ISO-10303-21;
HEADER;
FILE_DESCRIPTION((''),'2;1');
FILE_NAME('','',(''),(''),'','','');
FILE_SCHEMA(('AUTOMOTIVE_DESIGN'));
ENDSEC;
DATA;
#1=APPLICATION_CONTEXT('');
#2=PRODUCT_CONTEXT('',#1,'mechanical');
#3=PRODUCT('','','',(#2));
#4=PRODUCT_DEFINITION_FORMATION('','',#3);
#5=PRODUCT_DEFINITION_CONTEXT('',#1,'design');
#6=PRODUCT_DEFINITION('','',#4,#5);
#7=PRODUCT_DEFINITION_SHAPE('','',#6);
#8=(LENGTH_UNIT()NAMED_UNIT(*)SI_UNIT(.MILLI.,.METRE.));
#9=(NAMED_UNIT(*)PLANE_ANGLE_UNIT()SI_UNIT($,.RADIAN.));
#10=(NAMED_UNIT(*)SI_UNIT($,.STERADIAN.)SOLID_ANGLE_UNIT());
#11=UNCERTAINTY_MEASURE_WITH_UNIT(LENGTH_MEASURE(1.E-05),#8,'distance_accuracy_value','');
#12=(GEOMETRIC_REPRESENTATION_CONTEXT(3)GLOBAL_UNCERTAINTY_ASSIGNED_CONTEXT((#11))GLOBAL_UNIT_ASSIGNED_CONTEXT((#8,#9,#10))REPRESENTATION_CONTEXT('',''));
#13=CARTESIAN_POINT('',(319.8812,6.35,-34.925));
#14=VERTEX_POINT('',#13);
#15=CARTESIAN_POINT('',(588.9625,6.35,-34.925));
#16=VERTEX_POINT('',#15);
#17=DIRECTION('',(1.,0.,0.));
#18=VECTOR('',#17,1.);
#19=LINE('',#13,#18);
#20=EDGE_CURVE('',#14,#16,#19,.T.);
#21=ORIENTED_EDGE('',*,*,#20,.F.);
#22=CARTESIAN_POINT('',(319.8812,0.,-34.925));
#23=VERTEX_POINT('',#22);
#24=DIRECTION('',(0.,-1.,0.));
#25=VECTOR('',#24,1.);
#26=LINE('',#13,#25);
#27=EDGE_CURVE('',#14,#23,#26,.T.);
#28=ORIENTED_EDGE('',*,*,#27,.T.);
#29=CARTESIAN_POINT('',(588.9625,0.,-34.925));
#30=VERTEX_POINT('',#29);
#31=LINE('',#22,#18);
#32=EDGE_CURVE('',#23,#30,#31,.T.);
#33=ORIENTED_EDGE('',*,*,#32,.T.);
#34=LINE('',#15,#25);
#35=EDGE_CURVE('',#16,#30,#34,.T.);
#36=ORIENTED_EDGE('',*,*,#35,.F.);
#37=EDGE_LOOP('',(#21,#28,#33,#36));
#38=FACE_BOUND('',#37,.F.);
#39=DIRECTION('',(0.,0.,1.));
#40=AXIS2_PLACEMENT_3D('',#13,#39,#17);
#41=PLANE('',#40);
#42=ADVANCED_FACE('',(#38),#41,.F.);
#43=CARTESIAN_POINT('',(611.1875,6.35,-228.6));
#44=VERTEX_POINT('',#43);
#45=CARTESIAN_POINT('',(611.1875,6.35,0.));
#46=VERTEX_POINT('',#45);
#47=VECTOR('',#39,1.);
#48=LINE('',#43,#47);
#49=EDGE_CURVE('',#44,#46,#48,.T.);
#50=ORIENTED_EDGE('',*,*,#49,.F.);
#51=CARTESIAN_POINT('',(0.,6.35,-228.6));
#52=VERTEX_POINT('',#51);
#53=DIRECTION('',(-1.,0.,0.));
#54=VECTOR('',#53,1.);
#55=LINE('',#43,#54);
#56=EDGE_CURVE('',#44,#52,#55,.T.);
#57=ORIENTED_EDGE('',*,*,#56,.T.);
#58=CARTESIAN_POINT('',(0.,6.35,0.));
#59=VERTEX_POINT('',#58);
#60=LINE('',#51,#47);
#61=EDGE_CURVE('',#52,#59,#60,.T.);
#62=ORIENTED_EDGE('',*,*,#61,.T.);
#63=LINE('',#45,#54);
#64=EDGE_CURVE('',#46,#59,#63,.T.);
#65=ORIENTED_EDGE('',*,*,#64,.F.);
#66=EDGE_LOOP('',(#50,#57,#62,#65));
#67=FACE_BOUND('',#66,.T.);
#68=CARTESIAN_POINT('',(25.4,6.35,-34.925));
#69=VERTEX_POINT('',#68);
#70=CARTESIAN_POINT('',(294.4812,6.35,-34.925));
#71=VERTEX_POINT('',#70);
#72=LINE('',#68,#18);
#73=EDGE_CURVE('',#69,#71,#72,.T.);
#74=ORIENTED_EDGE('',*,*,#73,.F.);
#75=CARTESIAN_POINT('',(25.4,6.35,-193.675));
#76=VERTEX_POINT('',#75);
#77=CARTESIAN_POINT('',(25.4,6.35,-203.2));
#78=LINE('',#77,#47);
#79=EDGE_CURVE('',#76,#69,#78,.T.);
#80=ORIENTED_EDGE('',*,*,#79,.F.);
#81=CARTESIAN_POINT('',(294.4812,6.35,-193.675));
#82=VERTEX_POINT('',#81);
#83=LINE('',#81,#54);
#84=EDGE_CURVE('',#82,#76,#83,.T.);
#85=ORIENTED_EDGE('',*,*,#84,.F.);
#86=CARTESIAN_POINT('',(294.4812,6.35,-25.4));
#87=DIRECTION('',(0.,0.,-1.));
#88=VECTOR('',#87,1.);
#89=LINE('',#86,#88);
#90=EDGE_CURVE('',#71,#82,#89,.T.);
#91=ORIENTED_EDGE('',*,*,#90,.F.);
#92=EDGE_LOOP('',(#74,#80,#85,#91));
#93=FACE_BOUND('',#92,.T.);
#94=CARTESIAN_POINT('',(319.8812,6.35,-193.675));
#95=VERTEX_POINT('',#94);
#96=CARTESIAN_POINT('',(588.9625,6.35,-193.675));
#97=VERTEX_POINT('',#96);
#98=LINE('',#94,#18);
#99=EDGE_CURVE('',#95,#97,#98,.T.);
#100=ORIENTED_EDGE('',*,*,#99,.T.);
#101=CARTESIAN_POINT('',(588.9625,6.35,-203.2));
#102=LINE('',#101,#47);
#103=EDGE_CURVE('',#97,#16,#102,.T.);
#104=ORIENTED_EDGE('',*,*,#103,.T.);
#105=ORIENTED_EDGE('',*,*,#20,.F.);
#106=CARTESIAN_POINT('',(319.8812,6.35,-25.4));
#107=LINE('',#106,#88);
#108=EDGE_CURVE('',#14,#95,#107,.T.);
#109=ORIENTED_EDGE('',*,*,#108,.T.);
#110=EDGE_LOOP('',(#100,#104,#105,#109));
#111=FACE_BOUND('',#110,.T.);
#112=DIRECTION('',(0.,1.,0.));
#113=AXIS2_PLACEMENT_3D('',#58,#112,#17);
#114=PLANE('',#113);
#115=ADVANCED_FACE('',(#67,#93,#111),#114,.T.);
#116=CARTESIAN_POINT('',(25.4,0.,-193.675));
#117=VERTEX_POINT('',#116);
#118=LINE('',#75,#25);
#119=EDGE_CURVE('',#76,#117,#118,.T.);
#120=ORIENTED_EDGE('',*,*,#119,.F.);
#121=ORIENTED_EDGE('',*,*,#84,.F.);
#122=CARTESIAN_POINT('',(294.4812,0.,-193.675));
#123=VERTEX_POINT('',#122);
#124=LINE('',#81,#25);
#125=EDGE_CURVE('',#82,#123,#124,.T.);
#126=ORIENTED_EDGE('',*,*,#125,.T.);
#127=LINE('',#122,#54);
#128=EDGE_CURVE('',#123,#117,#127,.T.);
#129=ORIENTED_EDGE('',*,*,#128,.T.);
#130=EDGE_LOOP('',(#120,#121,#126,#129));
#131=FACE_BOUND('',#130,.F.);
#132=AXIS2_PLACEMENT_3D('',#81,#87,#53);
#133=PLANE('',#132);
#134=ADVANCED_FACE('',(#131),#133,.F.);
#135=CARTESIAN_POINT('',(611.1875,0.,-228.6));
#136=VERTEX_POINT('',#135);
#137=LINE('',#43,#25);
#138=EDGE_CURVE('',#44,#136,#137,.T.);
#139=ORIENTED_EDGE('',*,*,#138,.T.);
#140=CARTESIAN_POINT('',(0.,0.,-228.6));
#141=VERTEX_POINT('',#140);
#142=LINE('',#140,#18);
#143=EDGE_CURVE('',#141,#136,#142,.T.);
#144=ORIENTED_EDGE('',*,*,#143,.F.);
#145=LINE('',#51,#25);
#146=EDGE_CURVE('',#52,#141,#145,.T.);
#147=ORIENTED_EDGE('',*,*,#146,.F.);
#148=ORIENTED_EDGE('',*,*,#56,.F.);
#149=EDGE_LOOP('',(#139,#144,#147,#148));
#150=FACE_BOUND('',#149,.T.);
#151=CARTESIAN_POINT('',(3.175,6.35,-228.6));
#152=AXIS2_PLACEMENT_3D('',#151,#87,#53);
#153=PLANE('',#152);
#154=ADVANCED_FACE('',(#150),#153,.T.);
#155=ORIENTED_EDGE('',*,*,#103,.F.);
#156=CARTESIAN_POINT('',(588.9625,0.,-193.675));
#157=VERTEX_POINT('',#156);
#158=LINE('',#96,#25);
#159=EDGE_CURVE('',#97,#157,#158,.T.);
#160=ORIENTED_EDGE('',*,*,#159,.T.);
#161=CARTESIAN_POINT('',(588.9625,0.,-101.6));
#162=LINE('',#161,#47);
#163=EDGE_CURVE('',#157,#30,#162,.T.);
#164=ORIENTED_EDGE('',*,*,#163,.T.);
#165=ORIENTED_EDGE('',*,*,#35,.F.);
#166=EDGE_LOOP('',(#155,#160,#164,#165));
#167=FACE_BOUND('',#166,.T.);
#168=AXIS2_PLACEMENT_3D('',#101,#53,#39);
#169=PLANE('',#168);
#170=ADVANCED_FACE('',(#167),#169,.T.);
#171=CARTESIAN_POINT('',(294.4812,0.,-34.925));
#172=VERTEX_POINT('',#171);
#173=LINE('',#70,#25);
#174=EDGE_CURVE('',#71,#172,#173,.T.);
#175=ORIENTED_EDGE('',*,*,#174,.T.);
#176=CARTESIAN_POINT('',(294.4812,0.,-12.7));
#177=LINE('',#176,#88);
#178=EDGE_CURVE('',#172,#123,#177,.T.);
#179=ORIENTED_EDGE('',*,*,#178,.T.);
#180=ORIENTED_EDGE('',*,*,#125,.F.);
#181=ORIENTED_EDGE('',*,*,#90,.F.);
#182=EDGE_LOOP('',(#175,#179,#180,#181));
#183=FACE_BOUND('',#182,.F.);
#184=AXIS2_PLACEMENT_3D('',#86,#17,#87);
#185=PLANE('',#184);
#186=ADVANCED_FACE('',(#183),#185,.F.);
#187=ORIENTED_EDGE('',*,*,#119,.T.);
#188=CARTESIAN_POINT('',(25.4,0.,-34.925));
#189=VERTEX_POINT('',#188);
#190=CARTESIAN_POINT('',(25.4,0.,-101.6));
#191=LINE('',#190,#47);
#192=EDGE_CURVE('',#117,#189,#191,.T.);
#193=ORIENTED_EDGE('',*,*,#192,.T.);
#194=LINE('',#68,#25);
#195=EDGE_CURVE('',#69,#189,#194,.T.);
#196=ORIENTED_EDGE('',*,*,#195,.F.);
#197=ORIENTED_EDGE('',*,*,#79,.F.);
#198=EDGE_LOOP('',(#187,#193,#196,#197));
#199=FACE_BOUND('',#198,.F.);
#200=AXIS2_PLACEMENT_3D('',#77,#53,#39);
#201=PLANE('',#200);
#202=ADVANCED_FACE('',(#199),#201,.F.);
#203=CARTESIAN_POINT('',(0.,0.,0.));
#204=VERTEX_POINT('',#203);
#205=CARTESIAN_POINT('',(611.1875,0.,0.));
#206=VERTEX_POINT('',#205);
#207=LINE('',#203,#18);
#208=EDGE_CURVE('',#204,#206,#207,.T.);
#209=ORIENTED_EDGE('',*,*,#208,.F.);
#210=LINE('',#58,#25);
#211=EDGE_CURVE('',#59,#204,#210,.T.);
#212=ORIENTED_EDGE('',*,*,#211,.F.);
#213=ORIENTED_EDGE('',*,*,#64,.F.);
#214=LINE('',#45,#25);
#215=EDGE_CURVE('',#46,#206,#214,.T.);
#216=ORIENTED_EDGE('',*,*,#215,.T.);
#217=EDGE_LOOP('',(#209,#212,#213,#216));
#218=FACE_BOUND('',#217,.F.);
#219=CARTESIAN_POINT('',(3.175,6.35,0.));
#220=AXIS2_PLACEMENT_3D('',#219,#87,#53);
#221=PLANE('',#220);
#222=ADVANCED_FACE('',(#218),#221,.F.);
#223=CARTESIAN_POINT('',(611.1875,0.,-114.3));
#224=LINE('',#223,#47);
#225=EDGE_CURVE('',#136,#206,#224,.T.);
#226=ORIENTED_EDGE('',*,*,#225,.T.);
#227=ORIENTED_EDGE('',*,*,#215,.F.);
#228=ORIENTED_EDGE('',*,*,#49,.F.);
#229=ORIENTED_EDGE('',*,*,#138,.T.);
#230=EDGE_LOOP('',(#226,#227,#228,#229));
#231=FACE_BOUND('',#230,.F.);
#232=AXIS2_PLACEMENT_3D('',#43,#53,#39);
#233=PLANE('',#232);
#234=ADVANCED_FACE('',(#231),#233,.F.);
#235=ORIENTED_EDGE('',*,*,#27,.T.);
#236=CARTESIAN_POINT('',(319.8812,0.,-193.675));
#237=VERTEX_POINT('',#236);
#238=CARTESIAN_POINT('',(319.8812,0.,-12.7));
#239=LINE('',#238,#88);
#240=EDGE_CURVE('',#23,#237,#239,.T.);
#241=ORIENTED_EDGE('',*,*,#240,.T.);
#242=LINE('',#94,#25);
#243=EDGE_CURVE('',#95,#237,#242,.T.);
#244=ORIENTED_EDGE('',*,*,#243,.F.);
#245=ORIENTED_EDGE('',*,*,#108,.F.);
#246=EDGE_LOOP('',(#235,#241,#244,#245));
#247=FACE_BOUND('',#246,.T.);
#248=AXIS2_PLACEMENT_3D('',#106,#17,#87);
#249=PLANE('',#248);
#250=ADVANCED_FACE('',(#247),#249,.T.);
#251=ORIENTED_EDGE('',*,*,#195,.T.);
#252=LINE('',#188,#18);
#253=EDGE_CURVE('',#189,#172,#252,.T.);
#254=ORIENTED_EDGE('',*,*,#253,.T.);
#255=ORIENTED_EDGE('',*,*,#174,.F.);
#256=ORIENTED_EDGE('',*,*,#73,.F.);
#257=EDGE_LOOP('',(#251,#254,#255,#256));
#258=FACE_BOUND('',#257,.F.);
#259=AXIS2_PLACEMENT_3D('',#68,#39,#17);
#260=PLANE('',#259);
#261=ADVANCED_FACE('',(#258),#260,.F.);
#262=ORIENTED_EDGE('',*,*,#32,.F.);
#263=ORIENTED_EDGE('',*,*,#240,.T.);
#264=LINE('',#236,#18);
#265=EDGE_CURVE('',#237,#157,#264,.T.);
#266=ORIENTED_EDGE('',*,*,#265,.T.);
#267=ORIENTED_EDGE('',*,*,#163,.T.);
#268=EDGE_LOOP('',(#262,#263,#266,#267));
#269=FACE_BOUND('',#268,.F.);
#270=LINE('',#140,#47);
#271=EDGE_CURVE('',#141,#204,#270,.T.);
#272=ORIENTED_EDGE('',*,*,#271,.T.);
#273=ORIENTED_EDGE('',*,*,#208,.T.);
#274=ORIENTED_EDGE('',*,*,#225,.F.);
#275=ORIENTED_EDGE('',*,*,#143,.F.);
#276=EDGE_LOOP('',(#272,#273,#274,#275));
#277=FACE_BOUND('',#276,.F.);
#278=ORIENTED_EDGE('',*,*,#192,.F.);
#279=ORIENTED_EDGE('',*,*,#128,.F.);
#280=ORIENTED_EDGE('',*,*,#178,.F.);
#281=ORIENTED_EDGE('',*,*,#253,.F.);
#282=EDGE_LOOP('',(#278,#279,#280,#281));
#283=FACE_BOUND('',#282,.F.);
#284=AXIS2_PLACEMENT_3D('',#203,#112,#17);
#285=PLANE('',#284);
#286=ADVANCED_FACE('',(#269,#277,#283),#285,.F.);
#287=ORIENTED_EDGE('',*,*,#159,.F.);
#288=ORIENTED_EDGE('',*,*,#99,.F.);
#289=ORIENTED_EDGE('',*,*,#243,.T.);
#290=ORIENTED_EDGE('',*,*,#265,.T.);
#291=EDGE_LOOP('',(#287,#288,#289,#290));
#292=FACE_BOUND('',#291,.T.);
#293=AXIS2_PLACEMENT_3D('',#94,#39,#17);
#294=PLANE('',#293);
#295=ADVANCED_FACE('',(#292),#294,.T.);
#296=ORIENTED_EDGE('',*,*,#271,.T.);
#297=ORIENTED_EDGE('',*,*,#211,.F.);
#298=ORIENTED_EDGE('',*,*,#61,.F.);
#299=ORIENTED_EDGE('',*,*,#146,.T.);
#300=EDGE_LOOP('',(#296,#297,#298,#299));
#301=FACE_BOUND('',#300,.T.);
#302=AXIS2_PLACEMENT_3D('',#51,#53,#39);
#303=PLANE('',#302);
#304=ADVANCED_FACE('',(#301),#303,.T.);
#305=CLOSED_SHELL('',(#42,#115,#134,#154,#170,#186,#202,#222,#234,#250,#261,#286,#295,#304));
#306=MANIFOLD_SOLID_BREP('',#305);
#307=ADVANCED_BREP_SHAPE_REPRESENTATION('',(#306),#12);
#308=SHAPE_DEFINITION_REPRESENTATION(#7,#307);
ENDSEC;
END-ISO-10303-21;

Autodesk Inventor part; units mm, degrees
ref_plane "YZ Plane" through (0, 0, 0) normal (1, 0, 0) x (0, 1, 0)
ref_plane "XZ Plane" through (0, 0, 0) normal (0, 1, 0) x (-1, 0, 0)
ref_plane "XY Plane" through (0, 0, 0) normal (0, 0, 1) x (1, 0, 0)
sketch "Sketch1" plane through (0, 0, 0) normal (0, 1, 0) x (-1, 0, 0)
  line L0 (0, 0) -> (-614.3625, 0)
  line L1 (-614.3625, 0) -> (-614.3625, -228.6)
  line L2 (-614.3625, -228.6) -> (0, -228.6)
  line L3 (0, -228.6) -> (0, 0)
  dimension "d0" = 614.3625
  dimension "d1" = 228.6
extrude "Extrusion1" add sketch "Sketch1" along normal blind 6.35
sketch "Sketch2" plane through (0, 6.35, 0) normal (0, 1, 0) x (1, 0, 0)
  line L0 (0, 228.6) -> (0, 0) projected
  line L1 (0, 0) -> (307.1812, 0)
  line L2 (0, 0) -> (614.3625, 0) projected
  line L3 (307.1812, 0) -> (307.1812, 226.2221)
  line L4 (0, 0) -> (25.4, 0)
  line L5 (25.4, 0) -> (25.4, 25.4)
  line L6 (25.4, 25.4) -> (294.4812, 25.4)
  line L7 (294.4812, 25.4) -> (294.4812, 203.2)
  line L8 (294.4812, 203.2) -> (25.4, 203.2)
  line L9 (25.4, 203.2) -> (25.4, 25.4)
  line L10 (588.9625, 25.4) -> (319.8812, 25.4)
  line L11 (319.8812, 25.4) -> (319.8812, 203.2)
  line L12 (319.8812, 203.2) -> (588.9625, 203.2)
  line L13 (588.9625, 203.2) -> (588.9625, 25.4)
  dimension "d4" = 307.1812
  dimension "d5" = 25.4
  dimension "d6" = 25.4
  dimension "d7" = 269.0813
  dimension "d8" = 177.8
extrude "Extrusion2" cut sketch "Sketch2" against normal blind 117.475
sketch "Sketch3" plane through (0, 6.35, 0) normal (0, 1, 0) x (1, 0, 0)
  line L0 (614.3625, 228.6) -> (0, 228.6) projected
  line L1 (0, 228.6) -> (3.175, 228.6)
  line L2 (3.175, 228.6) -> (3.175, 0)
  line L3 (3.175, 0) -> (0, 0)
  line L4 (0, 0) -> (3.175, 0)
  line L5 (0, 228.6) -> (0, 0) projected
  line L6 (0, 228.6) -> (0, 0)
  dimension "d11" = 3.175
sketch "Sketch4" plane through (0, 6.35, 0) normal (0, 1, 0) x (1, 0, 0)
  line L0 (614.3625, 0) -> (614.3625, 228.6) projected
  line L1 (614.3625, 228.6) -> (611.1875, 228.6)
  line L2 (614.3625, 228.6) -> (0, 228.6) projected
  line L3 (611.1875, 228.6) -> (611.1875, 0)
  line L4 (611.1875, 0) -> (614.3625, 0)
  line L5 (614.3625, 0) -> (611.1875, 0)
  line L6 (614.3625, 228.6) -> (614.3625, 0)
  line L7 (294.4812, 25.4) -> (25.4, 25.4) projected
  line L8 (25.4, 203.2) -> (294.4812, 203.2) projected
  line L9 (294.4812, 203.2) -> (294.4812, 25.4) projected
  line L10 (25.4, 25.4) -> (25.4, 203.2) projected
  line L11 (25.4, 25.4) -> (25.4, 34.925)
  line L12 (25.4, 34.925) -> (294.4812, 34.925)
  line L13 (294.4812, 25.4) -> (294.4812, 34.925)
  line L14 (294.4812, 25.4) -> (25.4, 25.4)
  line L15 (25.4, 203.2) -> (294.4812, 203.2)
  line L16 (294.4812, 203.2) -> (294.4812, 193.675)
  line L17 (294.4812, 193.675) -> (25.4, 193.675)
  line L18 (25.4, 203.2) -> (25.4, 193.675)
  point P0 (0, 0)
  dimension "d12" = 3.175
  dimension "d20" = 177.8
  dimension "d21" = 269.0813
  dimension "d22" = 9.525
  dimension "d23" = 9.525
sketch "Sketch5" plane through (0, 6.35, 0) normal (0, 1, 0) x (1, 0, 0)
  line L0 (614.3625, 228.6) -> (0, 228.6) projected
  line L1 (0, 0) -> (614.3625, 0) projected
  line L2 (0, 228.6) -> (3.175, 228.6)
  line L3 (3.175, 228.6) -> (3.175, 0)
  line L4 (3.175, 0) -> (0, 0)
  line L5 (0, 0) -> (0, 228.6)
  line L6 (614.3625, 228.6) -> (611.1875, 228.6)
  line L7 (611.1875, 228.6) -> (611.1875, 0)
  line L8 (611.1875, 0) -> (614.3625, 0)
  line L9 (614.3625, 0) -> (614.3625, 228.6)
  dimension "d13" = 3.175
  dimension "d14" = 3.175
extrude "Extrusion3" cut sketch "Sketch5" against normal blind 25.4 contours L3 L1 L5 L0
sketch "Sketch6" plane through (0, 6.35, 0) normal (0, 1, 0) x (1, 0, 0)
  line L0 (3.175, 0) -> (614.3625, 0) projected
  line L1 (614.3625, 228.6) -> (611.1875, 228.6)
  line L2 (611.1875, 228.6) -> (611.1875, 0)
  line L3 (611.1875, 0) -> (614.3625, 0)
  line L4 (614.3625, 0) -> (614.3625, 228.6)
  point P0 (0, 0)
  dimension "d17" = 3.175
extrude "Extrusion4" cut sketch "Sketch6" against normal blind 25.4
extrude "Extrusion5" add sketch "Sketch4" against normal blind 6.35 contours L7 L10 L12 L9 | L17 L10 L8 L9
sketch "Sketch7" plane through (0, 6.35, 0) normal (0, 1, 0) x (1, 0, 0)
  line L0 (319.8812, 203.2) -> (319.8812, 25.4) projected
  line L1 (319.8812, 203.2) -> (319.8812, 193.675)
  line L2 (319.8812, 193.675) -> (588.9625, 193.675)
  line L3 (588.9625, 25.4) -> (588.9625, 203.2) projected
  line L4 (588.9625, 203.2) -> (588.9625, 193.675)
  line L5 (588.9625, 203.2) -> (319.8812, 203.2) projected
  line L6 (588.9625, 203.2) -> (319.8812, 203.2)
  line L7 (319.8812, 25.4) -> (588.9625, 25.4) projected
  line L8 (319.8812, 25.4) -> (319.8812, 34.925)
  line L9 (319.8812, 34.925) -> (588.9625, 34.925)
  line L10 (588.9625, 25.4) -> (588.9625, 34.925)
  line L11 (588.9625, 25.4) -> (319.8812, 25.4)
  point P0 (0, 0)
  dimension "d26" = 9.525
  dimension "d27" = 9.525
extrude "Extrusion6" add sketch "Sketch7" against normal blind 6.35 contours L5 L3 L2 L0 | L9 L3 L7 L0
sketch "Sketch8" plane through (0, 6.35, 0) normal (0, 1, 0) x (1, 0, 0)
  line L0 (611.1875, 0) -> (611.1875, 228.6) projected
  line L1 (3.175, 228.6) -> (3.175, 0) projected
  point P0 (0, 0)
  dimension "d30" = 608.0125
extrude "Extrusion7" add sketch "Sketch3" against normal blind 6.35
properties part number "BottomHalfofFront_Ocampo"
